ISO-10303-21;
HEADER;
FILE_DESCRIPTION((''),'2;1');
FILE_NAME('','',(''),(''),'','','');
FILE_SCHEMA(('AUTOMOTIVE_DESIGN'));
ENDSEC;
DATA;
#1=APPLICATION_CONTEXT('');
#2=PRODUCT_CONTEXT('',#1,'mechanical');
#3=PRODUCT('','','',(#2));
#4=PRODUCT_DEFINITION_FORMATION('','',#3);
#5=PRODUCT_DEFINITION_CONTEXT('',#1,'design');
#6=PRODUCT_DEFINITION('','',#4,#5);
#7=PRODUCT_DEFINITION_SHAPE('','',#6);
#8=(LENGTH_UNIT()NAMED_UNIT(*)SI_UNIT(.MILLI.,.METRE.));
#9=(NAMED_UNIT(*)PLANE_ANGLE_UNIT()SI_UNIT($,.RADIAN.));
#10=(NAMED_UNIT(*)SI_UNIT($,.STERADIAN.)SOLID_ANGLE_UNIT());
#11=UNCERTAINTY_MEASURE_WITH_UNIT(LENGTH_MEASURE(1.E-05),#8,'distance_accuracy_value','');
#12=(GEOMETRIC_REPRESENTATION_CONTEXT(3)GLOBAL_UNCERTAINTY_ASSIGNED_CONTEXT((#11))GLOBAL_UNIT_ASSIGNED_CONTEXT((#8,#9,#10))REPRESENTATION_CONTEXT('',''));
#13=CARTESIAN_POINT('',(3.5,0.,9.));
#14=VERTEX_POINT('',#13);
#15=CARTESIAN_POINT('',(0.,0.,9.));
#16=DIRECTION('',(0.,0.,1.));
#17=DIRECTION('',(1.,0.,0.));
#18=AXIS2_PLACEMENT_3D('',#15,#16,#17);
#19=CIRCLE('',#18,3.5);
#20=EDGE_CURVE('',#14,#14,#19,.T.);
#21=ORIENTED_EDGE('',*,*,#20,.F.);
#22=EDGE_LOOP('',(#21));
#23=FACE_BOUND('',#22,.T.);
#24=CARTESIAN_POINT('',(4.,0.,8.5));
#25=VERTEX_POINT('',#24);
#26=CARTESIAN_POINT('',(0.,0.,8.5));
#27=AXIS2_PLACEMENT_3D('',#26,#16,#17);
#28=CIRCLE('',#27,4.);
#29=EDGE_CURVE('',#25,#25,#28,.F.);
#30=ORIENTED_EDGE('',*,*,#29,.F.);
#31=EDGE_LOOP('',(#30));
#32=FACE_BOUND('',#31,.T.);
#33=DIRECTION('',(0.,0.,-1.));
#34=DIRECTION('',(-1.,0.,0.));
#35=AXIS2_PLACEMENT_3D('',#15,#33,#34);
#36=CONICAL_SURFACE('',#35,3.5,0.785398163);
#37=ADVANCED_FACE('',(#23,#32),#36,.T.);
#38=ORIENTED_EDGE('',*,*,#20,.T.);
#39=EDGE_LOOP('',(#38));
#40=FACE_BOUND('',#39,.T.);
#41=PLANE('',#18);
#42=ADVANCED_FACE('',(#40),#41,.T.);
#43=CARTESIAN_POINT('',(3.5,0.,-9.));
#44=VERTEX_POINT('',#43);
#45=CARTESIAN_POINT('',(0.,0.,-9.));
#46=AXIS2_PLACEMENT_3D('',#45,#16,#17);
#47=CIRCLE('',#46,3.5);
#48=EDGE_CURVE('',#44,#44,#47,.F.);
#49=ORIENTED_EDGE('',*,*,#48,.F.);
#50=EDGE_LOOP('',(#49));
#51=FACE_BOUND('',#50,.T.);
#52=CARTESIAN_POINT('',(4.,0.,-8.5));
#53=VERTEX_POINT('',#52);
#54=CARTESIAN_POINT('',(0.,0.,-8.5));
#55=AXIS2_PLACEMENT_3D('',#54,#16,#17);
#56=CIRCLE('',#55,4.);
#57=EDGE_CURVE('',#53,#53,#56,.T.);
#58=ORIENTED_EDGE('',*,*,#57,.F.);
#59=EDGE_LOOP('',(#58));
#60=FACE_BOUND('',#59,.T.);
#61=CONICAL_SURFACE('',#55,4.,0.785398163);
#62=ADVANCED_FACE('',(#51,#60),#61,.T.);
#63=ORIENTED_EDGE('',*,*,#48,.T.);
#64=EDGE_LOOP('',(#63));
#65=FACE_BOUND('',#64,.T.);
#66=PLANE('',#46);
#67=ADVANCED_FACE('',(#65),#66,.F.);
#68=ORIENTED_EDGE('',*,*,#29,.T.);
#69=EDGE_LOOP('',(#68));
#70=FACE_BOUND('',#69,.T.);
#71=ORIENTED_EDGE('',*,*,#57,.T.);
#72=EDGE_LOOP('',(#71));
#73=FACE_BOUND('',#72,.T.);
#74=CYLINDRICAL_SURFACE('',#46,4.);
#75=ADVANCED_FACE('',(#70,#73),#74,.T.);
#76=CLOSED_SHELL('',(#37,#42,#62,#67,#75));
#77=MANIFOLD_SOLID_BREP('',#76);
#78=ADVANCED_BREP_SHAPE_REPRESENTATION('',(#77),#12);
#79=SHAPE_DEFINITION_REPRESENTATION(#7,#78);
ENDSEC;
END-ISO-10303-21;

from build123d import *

# Parameters (mm, degrees)
BOSS_EXTRUDE1_DEPTH      = 9
BOSS_EXTRUDE1_DEPTH_BACK = 9
SKETCH1_R                = 4
CHAMFER1_SIZE            = 0.5


with BuildPart() as part:
    # Sketch1 → Boss-Extrude1 (new, two sides: drawn at the far end of the back side and taken through both)
    with BuildSketch(Plane.XY.offset(-BOSS_EXTRUDE1_DEPTH_BACK)):
        Circle(SKETCH1_R)
    extrude(amount=BOSS_EXTRUDE1_DEPTH + BOSS_EXTRUDE1_DEPTH_BACK)

    # Chamfer1
    chamfer1_edges = [part.edges().sort_by_distance(p)[0] for p in [
        (-4, 0, -9),
        (-4, 0, 9),
    ]]
    chamfer(chamfer1_edges, length=CHAMFER1_SIZE)


solid = part.part
